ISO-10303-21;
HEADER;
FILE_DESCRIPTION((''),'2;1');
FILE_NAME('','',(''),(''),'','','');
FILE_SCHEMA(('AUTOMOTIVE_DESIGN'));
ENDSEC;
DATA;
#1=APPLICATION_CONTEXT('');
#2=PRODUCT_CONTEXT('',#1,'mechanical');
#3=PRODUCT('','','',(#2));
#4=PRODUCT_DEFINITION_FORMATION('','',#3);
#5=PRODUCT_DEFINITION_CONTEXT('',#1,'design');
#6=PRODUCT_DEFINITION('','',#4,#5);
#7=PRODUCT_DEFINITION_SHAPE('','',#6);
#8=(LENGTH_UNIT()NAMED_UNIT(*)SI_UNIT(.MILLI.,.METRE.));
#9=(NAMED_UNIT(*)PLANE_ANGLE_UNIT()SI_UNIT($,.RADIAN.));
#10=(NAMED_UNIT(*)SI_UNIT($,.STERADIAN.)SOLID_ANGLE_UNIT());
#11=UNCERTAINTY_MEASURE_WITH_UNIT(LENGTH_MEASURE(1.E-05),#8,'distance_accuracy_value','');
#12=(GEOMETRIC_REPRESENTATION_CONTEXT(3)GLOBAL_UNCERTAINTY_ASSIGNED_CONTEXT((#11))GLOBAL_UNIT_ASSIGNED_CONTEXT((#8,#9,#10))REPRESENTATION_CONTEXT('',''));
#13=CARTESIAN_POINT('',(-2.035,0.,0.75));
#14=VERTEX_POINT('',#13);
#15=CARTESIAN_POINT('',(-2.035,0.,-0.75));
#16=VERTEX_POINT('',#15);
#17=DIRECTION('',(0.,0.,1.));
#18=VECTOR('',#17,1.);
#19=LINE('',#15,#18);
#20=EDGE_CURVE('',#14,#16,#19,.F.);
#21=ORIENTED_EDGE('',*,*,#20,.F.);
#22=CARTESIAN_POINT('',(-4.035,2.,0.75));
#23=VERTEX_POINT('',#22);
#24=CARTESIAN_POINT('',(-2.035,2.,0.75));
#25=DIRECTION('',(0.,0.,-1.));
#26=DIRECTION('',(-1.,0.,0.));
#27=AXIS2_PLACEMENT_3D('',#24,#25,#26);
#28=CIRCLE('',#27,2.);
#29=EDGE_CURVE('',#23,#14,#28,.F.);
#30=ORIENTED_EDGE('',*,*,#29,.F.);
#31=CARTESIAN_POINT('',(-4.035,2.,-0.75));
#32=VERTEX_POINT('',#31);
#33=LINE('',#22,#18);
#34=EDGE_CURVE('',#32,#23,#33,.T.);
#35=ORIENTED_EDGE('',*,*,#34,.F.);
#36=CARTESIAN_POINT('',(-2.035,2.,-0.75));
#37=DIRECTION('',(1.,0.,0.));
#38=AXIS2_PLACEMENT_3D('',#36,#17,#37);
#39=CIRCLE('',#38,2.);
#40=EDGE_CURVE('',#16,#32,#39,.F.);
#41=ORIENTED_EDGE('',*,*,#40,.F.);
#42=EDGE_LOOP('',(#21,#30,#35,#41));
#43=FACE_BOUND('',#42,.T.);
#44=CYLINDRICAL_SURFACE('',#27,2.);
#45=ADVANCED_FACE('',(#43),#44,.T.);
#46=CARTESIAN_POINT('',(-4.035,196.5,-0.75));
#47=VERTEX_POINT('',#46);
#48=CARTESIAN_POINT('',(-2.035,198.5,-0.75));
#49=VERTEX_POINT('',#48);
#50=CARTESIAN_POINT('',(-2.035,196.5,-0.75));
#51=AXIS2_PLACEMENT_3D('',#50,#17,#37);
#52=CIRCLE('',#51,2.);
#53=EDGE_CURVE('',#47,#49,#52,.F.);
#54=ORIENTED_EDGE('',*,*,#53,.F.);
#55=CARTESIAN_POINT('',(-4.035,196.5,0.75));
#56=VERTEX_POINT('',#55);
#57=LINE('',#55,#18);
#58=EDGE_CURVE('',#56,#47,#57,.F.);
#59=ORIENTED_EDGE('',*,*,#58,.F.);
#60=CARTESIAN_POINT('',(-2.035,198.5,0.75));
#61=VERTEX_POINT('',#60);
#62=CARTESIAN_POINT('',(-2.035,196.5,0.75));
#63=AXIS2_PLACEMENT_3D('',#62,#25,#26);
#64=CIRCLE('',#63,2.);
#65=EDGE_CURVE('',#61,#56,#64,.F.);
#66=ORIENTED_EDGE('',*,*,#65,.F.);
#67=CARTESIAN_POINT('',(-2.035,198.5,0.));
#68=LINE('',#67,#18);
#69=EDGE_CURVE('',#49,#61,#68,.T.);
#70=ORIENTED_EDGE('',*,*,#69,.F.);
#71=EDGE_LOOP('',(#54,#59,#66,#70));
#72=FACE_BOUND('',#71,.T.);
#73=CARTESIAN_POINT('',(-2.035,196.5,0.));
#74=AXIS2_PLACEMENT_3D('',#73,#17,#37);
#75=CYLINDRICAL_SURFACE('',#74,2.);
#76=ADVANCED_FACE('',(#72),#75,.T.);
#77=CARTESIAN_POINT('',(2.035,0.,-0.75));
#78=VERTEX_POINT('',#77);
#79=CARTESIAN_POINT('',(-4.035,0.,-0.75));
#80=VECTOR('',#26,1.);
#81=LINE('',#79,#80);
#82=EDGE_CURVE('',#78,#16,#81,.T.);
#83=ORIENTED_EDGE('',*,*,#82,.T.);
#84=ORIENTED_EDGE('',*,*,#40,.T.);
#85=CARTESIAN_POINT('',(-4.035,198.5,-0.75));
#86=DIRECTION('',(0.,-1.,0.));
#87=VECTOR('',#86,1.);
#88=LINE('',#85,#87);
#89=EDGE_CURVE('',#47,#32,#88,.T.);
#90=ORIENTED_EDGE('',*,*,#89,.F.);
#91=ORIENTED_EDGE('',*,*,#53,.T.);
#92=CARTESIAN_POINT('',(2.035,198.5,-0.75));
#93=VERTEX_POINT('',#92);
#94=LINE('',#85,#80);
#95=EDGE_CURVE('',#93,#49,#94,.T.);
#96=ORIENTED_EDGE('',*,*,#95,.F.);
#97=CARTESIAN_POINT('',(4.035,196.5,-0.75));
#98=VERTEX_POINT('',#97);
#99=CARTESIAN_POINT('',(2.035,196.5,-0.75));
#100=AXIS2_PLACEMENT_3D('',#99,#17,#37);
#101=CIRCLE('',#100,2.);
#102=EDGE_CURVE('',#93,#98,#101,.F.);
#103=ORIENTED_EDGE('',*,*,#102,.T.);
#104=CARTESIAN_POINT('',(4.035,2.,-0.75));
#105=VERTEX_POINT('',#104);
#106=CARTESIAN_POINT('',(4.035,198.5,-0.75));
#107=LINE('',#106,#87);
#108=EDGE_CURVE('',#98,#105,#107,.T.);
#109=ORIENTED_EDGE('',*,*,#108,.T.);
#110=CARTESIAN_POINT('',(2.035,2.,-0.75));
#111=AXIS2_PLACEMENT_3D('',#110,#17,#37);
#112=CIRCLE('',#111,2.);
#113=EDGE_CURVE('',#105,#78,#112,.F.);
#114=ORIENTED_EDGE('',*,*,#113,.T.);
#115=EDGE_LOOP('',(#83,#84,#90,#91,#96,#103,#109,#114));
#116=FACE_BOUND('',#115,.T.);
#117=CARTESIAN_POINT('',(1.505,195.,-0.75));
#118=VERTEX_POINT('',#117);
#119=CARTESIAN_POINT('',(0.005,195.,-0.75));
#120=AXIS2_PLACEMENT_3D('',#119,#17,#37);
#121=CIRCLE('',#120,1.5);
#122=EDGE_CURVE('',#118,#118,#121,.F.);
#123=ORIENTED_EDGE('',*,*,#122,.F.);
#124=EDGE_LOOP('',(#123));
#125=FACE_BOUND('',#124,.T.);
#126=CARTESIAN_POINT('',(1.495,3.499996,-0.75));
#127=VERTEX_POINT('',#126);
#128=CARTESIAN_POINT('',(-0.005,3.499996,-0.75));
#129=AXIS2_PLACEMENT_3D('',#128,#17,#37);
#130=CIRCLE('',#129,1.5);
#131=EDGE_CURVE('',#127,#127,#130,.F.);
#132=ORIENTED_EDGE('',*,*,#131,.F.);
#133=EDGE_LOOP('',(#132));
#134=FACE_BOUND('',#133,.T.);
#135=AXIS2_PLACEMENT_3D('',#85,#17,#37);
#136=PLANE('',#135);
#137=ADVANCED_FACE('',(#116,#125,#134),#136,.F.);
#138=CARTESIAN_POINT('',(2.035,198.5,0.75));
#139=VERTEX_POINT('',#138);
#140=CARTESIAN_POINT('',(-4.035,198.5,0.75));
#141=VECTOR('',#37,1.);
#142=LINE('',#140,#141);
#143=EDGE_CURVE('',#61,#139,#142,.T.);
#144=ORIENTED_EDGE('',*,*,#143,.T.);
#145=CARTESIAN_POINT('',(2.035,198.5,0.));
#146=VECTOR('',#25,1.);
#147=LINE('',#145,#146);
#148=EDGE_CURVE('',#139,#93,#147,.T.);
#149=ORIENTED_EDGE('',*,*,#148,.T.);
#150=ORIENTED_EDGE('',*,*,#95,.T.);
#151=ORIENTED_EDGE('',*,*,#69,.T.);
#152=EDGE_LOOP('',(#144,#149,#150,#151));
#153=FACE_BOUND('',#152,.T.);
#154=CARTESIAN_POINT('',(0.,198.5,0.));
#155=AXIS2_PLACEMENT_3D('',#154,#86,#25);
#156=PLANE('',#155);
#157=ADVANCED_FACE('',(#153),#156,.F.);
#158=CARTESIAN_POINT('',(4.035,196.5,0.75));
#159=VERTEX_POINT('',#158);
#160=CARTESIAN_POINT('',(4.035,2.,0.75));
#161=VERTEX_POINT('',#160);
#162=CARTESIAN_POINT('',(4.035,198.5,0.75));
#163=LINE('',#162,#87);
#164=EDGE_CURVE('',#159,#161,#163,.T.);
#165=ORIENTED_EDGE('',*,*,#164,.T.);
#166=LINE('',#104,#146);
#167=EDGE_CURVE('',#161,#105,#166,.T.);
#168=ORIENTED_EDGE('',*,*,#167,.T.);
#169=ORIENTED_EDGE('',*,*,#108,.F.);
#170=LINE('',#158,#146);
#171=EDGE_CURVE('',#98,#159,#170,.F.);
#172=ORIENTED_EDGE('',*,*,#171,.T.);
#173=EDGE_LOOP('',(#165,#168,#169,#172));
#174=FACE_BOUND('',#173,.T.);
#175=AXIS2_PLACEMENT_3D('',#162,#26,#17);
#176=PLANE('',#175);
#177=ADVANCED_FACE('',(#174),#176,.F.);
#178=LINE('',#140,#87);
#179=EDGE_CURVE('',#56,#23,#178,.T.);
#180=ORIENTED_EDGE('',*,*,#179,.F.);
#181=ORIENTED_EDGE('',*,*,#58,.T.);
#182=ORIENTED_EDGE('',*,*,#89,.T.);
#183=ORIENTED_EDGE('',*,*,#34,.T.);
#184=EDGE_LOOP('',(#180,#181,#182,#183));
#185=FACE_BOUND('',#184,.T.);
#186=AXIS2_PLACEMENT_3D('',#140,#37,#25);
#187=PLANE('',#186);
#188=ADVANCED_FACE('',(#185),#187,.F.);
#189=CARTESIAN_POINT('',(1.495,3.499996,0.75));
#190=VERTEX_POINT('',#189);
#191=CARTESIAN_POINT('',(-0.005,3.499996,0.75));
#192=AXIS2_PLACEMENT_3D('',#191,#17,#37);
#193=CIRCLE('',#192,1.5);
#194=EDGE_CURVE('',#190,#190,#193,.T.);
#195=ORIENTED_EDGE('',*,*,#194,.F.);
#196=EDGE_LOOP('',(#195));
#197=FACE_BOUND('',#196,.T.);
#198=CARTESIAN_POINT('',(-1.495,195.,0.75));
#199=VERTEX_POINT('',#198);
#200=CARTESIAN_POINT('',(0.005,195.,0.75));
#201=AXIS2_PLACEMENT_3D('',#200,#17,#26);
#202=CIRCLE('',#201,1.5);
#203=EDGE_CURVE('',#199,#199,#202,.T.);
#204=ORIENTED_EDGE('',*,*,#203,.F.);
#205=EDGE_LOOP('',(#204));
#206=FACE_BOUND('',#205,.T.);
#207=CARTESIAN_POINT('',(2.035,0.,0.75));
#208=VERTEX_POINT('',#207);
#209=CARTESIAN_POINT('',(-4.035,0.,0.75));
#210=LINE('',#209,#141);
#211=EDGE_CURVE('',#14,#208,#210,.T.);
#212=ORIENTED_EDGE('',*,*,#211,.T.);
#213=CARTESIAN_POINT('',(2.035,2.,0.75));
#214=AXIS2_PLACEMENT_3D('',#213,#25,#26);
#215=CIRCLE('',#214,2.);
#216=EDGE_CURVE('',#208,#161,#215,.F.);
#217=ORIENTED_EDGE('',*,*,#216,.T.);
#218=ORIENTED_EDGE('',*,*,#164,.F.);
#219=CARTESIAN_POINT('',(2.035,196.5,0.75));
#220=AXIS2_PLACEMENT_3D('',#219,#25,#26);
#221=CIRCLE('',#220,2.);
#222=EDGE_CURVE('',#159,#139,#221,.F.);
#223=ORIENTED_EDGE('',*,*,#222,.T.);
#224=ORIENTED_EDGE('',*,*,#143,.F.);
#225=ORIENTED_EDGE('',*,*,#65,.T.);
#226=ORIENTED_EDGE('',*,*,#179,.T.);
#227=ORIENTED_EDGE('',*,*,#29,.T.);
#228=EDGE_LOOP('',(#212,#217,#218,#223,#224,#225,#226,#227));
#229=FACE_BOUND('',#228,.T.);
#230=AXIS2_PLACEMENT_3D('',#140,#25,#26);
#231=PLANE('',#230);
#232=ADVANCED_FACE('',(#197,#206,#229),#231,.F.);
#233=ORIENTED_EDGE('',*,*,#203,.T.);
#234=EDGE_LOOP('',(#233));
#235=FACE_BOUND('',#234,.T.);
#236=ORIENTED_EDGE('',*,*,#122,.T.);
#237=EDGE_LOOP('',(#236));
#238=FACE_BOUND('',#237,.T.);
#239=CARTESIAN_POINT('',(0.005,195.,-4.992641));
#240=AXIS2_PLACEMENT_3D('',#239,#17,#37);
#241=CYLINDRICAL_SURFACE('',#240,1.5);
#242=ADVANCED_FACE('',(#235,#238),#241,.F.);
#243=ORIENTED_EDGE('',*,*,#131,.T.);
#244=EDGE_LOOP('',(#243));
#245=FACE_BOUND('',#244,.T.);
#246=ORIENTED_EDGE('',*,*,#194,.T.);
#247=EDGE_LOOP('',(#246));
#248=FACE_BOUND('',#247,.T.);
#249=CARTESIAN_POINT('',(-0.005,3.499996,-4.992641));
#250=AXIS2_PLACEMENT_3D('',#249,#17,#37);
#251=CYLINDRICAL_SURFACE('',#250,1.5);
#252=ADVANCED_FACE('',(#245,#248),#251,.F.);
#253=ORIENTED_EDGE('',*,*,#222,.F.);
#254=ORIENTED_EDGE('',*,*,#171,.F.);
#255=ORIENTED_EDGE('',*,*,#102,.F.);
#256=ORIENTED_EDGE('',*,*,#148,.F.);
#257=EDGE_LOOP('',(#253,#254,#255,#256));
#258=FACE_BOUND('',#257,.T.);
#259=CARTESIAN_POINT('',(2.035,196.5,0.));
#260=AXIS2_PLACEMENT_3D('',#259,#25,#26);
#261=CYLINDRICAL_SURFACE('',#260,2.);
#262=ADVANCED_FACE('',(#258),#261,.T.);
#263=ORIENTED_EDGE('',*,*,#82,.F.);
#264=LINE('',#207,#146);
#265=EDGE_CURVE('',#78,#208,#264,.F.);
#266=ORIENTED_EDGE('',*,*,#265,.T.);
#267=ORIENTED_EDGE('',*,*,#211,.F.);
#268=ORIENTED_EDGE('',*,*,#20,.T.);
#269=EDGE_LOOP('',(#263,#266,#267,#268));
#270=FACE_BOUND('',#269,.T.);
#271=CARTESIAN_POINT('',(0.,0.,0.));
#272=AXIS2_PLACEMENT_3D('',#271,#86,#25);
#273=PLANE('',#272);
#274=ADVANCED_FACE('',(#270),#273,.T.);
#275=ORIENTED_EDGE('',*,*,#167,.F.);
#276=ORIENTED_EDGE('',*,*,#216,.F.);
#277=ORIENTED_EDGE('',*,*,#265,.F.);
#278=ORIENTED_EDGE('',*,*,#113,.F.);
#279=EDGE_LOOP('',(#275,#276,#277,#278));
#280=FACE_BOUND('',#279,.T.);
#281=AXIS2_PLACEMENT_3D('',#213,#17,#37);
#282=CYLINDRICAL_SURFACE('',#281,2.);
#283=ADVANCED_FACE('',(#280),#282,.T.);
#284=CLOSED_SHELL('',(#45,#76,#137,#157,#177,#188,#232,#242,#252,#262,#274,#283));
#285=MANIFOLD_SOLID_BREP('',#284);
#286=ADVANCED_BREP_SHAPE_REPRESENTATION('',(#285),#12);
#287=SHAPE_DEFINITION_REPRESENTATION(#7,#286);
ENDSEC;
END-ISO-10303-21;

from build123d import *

# Parameters (mm, degrees)
SKETCH1_W           = 8.07
SKETCH1_H           = 1.5
BOSS_EXTRUDE1_DEPTH = 198.5
SKETCH2_R           = 1.5
CUT_EXTRUDE1_DEPTH  = 1.5
FILLET1_R           = 2


with BuildPart() as part:
    # Sketch1 → Boss-Extrude1 (new body)
    with BuildSketch(Plane(origin=(0, 0, 0), x_dir=(1, 0, 0), z_dir=(0, 1, 0))):
        Rectangle(SKETCH1_W, SKETCH1_H)
    extrude(amount=BOSS_EXTRUDE1_DEPTH)

    # Sketch2 → Cut-Extrude1 (cut)
    with BuildSketch(Plane.XY.offset(0.75)):
        with Locations((-0.005, 3.499996429)):
            Circle(SKETCH2_R)
        with Locations((0.005, 195)):
            Circle(SKETCH2_R)
    extrude(amount=-CUT_EXTRUDE1_DEPTH, mode=Mode.SUBTRACT)

    # Fillet1
    fillet1_edges = [part.edges().sort_by_distance(p)[0] for p in [
        (-4.035, 198.5, 0),
        (4.035, 198.5, 0),
        (-4.035, 0, 0),
        (4.035, 0, 0),
    ]]
    fillet(fillet1_edges, radius=FILLET1_R)


solid = part.part
